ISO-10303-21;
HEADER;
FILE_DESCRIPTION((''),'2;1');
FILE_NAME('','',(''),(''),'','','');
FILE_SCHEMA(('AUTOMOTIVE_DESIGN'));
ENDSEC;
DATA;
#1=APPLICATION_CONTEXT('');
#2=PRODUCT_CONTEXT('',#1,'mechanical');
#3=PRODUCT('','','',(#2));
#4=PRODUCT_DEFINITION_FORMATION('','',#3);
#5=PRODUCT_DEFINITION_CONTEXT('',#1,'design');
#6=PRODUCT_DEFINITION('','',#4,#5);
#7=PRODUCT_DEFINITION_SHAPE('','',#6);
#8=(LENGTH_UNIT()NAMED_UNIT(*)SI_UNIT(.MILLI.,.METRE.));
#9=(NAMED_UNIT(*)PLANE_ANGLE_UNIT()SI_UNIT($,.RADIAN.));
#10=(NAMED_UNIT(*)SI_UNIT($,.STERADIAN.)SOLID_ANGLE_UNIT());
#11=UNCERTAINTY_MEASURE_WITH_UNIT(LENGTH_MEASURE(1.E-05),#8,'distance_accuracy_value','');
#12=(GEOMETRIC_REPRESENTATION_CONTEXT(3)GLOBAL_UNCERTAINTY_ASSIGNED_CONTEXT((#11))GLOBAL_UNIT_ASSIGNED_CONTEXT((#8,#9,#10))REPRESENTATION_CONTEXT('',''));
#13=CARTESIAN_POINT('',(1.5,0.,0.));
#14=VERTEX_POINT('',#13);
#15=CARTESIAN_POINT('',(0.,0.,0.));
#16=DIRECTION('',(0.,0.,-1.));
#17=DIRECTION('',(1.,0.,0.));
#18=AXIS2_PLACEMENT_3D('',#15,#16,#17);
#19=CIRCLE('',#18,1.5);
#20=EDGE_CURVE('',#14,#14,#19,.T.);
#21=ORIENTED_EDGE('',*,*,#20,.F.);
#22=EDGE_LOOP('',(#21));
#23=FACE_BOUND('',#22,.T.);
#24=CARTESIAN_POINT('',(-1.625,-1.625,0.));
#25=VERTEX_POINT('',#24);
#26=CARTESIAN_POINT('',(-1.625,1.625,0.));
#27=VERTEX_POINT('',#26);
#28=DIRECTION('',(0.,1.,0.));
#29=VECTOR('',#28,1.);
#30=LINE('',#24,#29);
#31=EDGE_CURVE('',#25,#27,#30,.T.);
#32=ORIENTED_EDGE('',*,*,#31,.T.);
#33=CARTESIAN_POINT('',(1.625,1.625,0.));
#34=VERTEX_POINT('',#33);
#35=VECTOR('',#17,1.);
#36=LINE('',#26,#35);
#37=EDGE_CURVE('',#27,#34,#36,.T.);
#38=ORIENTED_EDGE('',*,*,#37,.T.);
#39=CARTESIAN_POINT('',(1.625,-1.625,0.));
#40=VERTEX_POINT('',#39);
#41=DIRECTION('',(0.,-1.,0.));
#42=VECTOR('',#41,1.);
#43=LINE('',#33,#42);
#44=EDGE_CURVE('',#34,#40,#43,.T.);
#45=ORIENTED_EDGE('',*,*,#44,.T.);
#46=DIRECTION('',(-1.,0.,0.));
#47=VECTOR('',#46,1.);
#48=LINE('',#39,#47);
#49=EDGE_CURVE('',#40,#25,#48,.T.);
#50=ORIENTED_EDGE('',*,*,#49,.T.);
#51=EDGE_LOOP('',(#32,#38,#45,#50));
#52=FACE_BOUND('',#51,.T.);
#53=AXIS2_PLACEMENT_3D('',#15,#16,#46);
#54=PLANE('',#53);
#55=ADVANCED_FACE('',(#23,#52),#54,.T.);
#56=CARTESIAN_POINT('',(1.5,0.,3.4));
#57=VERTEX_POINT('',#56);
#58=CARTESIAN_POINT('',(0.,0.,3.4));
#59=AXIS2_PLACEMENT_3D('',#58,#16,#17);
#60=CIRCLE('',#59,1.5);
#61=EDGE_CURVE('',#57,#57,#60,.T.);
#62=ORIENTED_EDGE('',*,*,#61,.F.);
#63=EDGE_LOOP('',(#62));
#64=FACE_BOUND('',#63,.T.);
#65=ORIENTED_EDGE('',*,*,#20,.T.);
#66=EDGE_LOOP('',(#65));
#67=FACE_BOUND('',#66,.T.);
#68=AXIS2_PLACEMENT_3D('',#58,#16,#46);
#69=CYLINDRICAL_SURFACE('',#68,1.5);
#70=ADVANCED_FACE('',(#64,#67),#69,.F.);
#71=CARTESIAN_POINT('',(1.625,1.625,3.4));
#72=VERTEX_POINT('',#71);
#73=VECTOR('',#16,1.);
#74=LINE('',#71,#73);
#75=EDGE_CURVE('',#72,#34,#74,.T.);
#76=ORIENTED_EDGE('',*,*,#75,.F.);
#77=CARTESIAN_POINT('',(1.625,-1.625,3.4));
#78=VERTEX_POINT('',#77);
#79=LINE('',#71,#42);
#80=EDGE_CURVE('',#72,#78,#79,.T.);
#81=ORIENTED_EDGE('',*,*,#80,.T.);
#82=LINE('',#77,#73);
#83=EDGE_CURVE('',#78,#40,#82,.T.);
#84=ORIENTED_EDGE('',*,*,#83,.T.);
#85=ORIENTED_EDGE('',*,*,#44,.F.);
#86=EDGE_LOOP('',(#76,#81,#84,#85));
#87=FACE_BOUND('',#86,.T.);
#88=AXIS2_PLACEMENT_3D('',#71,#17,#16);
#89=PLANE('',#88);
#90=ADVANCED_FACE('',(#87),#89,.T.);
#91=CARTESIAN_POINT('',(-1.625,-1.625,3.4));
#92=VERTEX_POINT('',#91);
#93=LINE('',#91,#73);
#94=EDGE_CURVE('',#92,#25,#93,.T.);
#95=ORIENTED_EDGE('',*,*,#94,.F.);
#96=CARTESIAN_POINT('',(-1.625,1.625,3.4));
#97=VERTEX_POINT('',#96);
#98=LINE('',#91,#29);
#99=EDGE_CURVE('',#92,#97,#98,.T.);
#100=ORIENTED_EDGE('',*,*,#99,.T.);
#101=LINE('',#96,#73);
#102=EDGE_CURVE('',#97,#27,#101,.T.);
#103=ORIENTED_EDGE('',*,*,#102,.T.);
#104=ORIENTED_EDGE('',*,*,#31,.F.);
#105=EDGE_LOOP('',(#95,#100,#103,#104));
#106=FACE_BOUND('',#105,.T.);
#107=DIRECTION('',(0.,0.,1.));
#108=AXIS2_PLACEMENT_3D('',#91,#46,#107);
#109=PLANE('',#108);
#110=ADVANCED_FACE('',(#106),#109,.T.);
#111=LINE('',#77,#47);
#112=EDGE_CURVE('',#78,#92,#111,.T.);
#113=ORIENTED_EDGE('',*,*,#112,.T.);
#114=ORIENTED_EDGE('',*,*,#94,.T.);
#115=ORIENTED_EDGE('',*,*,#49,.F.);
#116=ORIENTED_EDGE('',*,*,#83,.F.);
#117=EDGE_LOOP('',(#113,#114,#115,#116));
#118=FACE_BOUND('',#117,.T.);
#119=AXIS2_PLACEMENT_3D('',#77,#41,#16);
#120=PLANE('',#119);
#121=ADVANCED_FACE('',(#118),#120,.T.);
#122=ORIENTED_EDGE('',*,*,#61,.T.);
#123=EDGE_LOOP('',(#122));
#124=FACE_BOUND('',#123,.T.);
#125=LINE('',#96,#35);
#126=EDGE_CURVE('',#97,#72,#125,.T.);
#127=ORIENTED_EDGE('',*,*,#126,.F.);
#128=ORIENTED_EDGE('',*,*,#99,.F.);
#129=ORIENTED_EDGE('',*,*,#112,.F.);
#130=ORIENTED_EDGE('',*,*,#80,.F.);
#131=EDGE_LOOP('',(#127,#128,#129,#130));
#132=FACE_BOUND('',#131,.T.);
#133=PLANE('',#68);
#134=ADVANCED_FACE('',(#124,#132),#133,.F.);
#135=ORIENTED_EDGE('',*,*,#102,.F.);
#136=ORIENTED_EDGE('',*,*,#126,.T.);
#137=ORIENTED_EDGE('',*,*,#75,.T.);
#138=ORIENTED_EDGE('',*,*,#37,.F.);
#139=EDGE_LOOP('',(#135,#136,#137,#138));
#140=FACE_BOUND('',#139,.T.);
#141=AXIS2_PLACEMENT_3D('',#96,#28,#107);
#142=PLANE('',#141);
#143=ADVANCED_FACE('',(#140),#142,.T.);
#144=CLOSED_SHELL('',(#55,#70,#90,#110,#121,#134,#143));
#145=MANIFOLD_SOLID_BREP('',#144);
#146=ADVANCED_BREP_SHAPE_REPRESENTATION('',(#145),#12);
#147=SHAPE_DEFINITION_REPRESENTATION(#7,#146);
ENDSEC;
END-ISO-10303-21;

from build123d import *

# Parameters (mm, degrees)
SKETCH1_W           = 3.25
SKETCH1_H           = 3.25
SKETCH1_R           = 1.5
BOSS_EXTRUDE1_DEPTH = 3.4


with BuildPart() as part:
    # Sketch1 → Boss-Extrude1 (new body)
    with BuildSketch(Plane(origin=(0, 0, 0), x_dir=(-1, 0, 0), z_dir=(0, 0, -1))):
        Rectangle(SKETCH1_W, SKETCH1_H)
        Circle(SKETCH1_R, mode=Mode.SUBTRACT)
    extrude(amount=-BOSS_EXTRUDE1_DEPTH)


solid = part.part
